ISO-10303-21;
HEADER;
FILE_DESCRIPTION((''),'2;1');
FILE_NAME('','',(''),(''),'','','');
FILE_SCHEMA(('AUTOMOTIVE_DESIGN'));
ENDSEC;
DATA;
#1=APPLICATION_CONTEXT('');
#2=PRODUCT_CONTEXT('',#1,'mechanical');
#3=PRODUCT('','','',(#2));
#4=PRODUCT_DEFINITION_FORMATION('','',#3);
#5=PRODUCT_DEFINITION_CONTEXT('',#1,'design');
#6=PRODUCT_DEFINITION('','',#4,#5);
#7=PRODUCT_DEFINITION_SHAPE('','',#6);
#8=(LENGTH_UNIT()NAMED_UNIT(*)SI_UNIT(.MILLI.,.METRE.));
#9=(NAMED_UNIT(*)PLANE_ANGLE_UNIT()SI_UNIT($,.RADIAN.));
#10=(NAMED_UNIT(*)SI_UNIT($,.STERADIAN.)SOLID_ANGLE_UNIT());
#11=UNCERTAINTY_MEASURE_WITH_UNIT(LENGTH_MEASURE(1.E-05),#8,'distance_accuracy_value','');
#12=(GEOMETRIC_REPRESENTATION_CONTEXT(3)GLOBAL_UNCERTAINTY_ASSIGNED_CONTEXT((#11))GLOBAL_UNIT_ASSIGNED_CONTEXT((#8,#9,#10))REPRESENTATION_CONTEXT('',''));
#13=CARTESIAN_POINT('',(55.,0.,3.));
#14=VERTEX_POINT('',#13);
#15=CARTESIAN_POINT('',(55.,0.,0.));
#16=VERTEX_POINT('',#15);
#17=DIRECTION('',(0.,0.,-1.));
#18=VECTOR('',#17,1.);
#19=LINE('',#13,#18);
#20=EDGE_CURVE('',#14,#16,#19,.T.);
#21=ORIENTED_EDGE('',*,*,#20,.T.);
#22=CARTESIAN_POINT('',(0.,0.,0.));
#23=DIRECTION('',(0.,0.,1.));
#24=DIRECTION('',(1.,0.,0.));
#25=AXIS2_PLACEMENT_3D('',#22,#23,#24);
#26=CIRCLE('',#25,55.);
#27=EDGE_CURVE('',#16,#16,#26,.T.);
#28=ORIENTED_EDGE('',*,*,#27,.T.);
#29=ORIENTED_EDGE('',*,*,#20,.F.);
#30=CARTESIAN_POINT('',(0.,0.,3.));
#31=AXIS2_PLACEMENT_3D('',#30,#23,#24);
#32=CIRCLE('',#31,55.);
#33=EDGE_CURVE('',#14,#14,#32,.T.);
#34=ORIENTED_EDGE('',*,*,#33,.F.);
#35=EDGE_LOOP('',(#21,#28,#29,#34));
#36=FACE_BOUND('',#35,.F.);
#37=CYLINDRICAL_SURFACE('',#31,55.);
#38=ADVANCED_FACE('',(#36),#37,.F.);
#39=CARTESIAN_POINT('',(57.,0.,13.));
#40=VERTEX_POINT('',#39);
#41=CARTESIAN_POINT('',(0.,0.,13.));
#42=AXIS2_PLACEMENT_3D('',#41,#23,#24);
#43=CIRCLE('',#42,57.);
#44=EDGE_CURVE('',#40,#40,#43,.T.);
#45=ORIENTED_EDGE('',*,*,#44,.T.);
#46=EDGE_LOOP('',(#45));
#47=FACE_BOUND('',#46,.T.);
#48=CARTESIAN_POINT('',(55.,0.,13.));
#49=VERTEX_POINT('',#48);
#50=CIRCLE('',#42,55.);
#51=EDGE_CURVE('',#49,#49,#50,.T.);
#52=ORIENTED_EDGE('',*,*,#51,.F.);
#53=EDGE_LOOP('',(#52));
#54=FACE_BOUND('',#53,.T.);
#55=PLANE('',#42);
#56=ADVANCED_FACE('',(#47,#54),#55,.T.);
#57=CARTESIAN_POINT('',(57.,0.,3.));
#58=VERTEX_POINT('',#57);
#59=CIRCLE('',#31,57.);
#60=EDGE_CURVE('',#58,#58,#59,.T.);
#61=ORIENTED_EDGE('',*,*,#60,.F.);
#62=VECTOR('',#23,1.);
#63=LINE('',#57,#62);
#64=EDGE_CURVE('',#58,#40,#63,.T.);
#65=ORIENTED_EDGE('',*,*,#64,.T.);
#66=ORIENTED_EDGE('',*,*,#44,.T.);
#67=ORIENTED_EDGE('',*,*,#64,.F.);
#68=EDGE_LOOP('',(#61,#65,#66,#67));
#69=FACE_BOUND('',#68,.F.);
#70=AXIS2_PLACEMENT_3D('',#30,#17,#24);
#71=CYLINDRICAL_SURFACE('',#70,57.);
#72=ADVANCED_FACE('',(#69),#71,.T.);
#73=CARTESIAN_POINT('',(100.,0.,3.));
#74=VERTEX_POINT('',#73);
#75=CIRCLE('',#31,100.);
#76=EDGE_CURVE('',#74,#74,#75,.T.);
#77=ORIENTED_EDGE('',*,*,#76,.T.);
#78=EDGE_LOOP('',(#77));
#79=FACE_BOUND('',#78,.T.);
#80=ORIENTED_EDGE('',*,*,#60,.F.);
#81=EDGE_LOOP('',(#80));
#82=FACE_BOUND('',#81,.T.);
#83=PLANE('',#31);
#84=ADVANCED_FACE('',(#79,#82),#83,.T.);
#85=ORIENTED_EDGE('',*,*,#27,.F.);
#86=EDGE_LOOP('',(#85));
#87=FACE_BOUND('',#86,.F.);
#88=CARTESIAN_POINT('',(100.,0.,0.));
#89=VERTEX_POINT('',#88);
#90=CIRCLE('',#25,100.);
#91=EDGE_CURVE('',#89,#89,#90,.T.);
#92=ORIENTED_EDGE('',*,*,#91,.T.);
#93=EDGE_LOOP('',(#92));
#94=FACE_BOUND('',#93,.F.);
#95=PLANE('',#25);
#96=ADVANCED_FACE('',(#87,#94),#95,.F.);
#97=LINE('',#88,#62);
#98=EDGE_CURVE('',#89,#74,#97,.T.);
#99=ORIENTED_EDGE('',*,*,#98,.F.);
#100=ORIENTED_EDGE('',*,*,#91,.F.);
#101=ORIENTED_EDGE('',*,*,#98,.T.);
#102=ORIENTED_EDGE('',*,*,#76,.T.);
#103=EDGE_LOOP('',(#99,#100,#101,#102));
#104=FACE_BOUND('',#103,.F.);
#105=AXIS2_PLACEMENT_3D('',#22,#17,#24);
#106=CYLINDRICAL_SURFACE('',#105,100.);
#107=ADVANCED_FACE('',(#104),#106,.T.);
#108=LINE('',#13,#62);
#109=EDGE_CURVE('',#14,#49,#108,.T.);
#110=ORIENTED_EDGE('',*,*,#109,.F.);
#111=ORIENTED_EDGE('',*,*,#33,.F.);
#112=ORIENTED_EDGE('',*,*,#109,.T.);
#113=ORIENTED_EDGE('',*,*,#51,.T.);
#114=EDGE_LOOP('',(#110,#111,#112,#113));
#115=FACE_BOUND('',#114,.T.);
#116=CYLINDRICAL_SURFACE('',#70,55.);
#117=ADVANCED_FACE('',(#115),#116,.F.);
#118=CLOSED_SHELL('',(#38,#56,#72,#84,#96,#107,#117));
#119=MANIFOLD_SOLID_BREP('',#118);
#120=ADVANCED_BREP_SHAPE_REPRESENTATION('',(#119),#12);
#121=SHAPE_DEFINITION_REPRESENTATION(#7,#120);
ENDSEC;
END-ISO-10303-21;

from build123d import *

# Parameters (mm, degrees)
F0_R     = 100
F1_DEPTH = 3
F2_R     = 55
F3_DEPTH = 25
F4_R     = 57
F4_R_2   = 55
F5_DEPTH = 10


with BuildPart() as f1:
    # F0 (on Top) → F1 (new body)
    with BuildSketch(Plane.XY):
        Circle(F0_R)
    extrude(amount=F1_DEPTH)

    # F2 (on face) → F3 (cut)
    with BuildSketch(Plane.XY.offset(3)):
        Circle(F2_R)
    extrude(amount=-F3_DEPTH, mode=Mode.SUBTRACT)

    # F4 (on face) → F5 (join)
    with BuildSketch(Plane.XY.offset(3)):
        Circle(F4_R)
        Circle(F4_R_2, mode=Mode.SUBTRACT)
    extrude(amount=F5_DEPTH)


solid = f1.part
